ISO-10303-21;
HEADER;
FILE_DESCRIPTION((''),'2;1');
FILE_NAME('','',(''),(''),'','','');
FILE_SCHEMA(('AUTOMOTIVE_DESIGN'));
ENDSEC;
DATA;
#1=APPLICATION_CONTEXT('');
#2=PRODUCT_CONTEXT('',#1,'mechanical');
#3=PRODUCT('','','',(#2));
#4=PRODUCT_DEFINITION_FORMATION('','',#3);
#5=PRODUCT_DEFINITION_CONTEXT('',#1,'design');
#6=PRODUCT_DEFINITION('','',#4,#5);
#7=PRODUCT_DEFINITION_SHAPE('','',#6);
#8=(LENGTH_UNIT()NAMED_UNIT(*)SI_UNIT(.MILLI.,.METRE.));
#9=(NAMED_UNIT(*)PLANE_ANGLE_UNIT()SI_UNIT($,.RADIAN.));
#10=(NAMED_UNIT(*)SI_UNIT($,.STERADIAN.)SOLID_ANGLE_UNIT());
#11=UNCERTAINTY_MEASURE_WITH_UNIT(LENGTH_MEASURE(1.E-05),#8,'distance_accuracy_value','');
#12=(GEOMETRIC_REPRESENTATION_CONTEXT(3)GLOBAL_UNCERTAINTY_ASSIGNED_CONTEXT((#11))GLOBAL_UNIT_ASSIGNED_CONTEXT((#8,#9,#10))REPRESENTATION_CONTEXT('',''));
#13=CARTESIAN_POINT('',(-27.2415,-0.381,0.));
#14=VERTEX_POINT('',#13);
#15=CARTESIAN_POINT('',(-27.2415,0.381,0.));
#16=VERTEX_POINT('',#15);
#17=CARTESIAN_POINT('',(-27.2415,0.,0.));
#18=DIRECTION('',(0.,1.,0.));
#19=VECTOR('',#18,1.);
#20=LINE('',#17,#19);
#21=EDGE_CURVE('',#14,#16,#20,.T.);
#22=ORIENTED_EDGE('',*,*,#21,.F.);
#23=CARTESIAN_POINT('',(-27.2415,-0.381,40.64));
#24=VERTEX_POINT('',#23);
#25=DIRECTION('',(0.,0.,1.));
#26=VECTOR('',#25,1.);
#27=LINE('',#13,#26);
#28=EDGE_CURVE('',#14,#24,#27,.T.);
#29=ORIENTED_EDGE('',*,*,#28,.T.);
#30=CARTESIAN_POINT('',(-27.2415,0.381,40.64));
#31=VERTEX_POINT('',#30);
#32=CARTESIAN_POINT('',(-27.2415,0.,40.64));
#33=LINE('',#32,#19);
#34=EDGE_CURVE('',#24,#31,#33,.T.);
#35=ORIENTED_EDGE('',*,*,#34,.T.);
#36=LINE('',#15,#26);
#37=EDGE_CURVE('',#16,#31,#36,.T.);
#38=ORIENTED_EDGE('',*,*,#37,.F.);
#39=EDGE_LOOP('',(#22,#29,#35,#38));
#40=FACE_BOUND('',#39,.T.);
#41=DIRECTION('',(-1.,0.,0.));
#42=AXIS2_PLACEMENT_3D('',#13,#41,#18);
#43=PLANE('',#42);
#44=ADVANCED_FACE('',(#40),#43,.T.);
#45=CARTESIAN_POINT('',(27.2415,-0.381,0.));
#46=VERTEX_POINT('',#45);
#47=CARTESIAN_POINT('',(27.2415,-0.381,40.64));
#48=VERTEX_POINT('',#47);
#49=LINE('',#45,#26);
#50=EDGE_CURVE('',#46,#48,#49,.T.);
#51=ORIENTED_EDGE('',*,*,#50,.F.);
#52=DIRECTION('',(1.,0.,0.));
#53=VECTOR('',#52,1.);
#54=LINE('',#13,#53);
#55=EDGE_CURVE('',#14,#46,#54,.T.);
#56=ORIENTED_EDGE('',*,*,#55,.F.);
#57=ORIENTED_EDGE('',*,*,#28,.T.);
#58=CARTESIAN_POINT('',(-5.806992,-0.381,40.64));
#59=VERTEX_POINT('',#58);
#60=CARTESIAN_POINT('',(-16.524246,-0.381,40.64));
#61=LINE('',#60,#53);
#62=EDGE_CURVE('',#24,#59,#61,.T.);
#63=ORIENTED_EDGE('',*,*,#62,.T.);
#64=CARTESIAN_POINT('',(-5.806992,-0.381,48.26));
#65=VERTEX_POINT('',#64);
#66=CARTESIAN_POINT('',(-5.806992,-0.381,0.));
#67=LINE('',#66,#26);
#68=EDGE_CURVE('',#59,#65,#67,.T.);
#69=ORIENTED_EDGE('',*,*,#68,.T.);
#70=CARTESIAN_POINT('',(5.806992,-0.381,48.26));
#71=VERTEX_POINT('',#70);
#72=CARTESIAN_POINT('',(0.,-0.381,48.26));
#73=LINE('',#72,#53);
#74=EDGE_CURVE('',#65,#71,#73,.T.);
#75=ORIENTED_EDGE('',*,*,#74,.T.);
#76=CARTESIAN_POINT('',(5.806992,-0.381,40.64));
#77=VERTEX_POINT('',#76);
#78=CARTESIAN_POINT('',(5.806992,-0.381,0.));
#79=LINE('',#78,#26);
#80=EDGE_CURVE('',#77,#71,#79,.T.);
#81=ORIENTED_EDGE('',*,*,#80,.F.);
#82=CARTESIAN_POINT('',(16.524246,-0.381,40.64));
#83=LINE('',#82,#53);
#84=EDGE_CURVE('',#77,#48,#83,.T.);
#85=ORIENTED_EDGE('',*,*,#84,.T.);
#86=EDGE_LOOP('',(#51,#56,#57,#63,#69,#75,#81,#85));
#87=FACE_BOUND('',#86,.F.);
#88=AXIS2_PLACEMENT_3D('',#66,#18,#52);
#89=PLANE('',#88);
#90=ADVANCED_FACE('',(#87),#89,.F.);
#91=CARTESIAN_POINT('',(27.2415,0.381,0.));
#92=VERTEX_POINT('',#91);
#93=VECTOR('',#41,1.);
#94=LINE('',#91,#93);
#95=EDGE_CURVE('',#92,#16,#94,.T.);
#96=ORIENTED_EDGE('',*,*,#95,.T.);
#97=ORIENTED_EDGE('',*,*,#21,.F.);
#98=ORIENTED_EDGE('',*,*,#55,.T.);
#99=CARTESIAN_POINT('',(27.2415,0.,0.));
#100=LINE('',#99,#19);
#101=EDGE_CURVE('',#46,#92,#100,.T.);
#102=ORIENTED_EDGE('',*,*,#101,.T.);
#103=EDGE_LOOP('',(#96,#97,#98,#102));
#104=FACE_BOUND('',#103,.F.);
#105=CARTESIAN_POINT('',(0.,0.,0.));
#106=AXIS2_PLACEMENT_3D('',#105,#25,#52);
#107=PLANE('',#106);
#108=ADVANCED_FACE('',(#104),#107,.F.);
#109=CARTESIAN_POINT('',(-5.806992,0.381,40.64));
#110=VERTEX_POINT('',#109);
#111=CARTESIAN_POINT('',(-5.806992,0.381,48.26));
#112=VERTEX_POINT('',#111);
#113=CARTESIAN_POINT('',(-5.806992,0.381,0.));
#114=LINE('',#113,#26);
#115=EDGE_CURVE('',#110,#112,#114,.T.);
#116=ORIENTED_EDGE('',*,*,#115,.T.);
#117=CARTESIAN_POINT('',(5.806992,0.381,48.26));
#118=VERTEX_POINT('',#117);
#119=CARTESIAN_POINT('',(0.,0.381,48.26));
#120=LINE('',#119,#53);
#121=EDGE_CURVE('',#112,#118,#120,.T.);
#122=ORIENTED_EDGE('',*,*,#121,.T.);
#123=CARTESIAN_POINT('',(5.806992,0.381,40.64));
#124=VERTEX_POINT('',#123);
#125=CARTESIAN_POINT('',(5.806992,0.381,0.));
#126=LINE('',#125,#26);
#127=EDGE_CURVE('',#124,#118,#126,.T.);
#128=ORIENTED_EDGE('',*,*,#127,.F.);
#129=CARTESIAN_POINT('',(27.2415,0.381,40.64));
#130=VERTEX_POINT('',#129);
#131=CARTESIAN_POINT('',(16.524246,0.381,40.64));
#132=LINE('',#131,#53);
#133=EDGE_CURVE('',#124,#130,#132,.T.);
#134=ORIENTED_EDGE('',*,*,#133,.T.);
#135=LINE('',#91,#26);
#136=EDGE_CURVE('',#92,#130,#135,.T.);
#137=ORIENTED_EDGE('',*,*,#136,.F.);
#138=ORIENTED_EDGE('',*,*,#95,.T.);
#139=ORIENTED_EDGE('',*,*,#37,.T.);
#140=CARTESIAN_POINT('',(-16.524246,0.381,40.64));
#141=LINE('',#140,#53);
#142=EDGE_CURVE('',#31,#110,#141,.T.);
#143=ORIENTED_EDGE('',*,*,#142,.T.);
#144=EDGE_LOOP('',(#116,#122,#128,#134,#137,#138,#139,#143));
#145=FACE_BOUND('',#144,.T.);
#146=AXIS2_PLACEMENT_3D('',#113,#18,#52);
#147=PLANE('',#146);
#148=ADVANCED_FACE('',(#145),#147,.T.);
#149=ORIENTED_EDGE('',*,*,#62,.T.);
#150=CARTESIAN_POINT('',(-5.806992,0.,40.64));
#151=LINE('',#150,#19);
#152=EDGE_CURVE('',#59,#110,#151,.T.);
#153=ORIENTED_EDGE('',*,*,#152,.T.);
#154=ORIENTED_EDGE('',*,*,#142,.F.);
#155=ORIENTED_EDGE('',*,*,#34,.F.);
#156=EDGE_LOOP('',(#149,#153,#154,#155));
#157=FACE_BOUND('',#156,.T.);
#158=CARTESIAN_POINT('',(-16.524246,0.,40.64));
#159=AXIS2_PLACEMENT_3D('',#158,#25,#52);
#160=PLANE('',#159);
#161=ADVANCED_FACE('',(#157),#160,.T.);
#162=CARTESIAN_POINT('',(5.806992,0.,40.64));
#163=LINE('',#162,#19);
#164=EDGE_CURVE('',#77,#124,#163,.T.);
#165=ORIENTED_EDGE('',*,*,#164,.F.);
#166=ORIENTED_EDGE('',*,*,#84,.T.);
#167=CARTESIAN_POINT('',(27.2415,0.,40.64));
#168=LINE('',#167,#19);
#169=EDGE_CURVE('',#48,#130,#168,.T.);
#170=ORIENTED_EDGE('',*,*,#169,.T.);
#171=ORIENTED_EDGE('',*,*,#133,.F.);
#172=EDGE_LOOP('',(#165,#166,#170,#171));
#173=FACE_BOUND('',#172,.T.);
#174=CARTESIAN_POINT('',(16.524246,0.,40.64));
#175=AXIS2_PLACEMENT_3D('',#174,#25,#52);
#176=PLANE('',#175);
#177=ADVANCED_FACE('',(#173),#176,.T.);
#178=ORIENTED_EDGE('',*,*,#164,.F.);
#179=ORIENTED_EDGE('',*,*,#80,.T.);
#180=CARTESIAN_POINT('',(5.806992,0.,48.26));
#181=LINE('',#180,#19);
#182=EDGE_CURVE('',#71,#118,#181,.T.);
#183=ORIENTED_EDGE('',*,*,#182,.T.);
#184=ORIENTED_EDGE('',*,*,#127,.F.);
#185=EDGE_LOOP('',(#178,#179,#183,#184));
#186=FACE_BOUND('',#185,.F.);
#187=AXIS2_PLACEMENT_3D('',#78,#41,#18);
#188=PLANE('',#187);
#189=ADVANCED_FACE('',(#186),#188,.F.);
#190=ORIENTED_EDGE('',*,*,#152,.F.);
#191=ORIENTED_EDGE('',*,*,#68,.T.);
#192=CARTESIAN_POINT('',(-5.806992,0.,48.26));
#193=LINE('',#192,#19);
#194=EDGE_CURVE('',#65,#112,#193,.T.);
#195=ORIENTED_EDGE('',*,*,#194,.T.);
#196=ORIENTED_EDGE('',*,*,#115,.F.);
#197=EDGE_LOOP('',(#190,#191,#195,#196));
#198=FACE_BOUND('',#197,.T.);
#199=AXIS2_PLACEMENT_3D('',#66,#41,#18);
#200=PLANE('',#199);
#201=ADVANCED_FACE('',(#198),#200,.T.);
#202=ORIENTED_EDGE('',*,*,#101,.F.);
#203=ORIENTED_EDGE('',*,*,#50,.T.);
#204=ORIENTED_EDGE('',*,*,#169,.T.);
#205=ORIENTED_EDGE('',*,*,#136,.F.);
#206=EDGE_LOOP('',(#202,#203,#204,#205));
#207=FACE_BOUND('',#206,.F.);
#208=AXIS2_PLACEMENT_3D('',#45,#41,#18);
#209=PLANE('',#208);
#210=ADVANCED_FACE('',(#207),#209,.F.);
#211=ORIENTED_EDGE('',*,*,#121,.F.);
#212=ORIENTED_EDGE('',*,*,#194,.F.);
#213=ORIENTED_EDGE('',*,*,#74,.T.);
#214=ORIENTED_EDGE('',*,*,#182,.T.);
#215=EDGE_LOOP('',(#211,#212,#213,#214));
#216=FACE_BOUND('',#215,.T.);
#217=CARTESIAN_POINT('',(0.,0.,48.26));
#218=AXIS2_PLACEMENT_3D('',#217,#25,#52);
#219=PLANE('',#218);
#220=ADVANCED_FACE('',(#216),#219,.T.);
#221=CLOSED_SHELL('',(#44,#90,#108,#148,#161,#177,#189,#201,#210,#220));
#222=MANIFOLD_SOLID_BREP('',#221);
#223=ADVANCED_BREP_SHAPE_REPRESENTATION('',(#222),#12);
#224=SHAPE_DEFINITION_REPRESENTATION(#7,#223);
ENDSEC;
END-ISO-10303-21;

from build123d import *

# Parameters (mm, degrees)
F0_W     = 21.434508
F0_H     = 0.762
F1_DEPTH = 40.64
F0_W_2   = 11.613984
F2_DEPTH = 48.26


with BuildPart() as f1:
    # F0 (on Top) → F1 (new body)
    with BuildSketch(Plane.XY):
        with Locations((16.524246, 0)):
            Rectangle(F0_W, F0_H)
        with Locations((-16.524246, 0)):
            Rectangle(F0_W, F0_H)
    extrude(amount=F1_DEPTH)

    # F0 (on Top) → F2 (join)
    with BuildSketch(Plane.XY):
        Rectangle(F0_W_2, F0_H)
    extrude(amount=F2_DEPTH)


solid = f1.part
